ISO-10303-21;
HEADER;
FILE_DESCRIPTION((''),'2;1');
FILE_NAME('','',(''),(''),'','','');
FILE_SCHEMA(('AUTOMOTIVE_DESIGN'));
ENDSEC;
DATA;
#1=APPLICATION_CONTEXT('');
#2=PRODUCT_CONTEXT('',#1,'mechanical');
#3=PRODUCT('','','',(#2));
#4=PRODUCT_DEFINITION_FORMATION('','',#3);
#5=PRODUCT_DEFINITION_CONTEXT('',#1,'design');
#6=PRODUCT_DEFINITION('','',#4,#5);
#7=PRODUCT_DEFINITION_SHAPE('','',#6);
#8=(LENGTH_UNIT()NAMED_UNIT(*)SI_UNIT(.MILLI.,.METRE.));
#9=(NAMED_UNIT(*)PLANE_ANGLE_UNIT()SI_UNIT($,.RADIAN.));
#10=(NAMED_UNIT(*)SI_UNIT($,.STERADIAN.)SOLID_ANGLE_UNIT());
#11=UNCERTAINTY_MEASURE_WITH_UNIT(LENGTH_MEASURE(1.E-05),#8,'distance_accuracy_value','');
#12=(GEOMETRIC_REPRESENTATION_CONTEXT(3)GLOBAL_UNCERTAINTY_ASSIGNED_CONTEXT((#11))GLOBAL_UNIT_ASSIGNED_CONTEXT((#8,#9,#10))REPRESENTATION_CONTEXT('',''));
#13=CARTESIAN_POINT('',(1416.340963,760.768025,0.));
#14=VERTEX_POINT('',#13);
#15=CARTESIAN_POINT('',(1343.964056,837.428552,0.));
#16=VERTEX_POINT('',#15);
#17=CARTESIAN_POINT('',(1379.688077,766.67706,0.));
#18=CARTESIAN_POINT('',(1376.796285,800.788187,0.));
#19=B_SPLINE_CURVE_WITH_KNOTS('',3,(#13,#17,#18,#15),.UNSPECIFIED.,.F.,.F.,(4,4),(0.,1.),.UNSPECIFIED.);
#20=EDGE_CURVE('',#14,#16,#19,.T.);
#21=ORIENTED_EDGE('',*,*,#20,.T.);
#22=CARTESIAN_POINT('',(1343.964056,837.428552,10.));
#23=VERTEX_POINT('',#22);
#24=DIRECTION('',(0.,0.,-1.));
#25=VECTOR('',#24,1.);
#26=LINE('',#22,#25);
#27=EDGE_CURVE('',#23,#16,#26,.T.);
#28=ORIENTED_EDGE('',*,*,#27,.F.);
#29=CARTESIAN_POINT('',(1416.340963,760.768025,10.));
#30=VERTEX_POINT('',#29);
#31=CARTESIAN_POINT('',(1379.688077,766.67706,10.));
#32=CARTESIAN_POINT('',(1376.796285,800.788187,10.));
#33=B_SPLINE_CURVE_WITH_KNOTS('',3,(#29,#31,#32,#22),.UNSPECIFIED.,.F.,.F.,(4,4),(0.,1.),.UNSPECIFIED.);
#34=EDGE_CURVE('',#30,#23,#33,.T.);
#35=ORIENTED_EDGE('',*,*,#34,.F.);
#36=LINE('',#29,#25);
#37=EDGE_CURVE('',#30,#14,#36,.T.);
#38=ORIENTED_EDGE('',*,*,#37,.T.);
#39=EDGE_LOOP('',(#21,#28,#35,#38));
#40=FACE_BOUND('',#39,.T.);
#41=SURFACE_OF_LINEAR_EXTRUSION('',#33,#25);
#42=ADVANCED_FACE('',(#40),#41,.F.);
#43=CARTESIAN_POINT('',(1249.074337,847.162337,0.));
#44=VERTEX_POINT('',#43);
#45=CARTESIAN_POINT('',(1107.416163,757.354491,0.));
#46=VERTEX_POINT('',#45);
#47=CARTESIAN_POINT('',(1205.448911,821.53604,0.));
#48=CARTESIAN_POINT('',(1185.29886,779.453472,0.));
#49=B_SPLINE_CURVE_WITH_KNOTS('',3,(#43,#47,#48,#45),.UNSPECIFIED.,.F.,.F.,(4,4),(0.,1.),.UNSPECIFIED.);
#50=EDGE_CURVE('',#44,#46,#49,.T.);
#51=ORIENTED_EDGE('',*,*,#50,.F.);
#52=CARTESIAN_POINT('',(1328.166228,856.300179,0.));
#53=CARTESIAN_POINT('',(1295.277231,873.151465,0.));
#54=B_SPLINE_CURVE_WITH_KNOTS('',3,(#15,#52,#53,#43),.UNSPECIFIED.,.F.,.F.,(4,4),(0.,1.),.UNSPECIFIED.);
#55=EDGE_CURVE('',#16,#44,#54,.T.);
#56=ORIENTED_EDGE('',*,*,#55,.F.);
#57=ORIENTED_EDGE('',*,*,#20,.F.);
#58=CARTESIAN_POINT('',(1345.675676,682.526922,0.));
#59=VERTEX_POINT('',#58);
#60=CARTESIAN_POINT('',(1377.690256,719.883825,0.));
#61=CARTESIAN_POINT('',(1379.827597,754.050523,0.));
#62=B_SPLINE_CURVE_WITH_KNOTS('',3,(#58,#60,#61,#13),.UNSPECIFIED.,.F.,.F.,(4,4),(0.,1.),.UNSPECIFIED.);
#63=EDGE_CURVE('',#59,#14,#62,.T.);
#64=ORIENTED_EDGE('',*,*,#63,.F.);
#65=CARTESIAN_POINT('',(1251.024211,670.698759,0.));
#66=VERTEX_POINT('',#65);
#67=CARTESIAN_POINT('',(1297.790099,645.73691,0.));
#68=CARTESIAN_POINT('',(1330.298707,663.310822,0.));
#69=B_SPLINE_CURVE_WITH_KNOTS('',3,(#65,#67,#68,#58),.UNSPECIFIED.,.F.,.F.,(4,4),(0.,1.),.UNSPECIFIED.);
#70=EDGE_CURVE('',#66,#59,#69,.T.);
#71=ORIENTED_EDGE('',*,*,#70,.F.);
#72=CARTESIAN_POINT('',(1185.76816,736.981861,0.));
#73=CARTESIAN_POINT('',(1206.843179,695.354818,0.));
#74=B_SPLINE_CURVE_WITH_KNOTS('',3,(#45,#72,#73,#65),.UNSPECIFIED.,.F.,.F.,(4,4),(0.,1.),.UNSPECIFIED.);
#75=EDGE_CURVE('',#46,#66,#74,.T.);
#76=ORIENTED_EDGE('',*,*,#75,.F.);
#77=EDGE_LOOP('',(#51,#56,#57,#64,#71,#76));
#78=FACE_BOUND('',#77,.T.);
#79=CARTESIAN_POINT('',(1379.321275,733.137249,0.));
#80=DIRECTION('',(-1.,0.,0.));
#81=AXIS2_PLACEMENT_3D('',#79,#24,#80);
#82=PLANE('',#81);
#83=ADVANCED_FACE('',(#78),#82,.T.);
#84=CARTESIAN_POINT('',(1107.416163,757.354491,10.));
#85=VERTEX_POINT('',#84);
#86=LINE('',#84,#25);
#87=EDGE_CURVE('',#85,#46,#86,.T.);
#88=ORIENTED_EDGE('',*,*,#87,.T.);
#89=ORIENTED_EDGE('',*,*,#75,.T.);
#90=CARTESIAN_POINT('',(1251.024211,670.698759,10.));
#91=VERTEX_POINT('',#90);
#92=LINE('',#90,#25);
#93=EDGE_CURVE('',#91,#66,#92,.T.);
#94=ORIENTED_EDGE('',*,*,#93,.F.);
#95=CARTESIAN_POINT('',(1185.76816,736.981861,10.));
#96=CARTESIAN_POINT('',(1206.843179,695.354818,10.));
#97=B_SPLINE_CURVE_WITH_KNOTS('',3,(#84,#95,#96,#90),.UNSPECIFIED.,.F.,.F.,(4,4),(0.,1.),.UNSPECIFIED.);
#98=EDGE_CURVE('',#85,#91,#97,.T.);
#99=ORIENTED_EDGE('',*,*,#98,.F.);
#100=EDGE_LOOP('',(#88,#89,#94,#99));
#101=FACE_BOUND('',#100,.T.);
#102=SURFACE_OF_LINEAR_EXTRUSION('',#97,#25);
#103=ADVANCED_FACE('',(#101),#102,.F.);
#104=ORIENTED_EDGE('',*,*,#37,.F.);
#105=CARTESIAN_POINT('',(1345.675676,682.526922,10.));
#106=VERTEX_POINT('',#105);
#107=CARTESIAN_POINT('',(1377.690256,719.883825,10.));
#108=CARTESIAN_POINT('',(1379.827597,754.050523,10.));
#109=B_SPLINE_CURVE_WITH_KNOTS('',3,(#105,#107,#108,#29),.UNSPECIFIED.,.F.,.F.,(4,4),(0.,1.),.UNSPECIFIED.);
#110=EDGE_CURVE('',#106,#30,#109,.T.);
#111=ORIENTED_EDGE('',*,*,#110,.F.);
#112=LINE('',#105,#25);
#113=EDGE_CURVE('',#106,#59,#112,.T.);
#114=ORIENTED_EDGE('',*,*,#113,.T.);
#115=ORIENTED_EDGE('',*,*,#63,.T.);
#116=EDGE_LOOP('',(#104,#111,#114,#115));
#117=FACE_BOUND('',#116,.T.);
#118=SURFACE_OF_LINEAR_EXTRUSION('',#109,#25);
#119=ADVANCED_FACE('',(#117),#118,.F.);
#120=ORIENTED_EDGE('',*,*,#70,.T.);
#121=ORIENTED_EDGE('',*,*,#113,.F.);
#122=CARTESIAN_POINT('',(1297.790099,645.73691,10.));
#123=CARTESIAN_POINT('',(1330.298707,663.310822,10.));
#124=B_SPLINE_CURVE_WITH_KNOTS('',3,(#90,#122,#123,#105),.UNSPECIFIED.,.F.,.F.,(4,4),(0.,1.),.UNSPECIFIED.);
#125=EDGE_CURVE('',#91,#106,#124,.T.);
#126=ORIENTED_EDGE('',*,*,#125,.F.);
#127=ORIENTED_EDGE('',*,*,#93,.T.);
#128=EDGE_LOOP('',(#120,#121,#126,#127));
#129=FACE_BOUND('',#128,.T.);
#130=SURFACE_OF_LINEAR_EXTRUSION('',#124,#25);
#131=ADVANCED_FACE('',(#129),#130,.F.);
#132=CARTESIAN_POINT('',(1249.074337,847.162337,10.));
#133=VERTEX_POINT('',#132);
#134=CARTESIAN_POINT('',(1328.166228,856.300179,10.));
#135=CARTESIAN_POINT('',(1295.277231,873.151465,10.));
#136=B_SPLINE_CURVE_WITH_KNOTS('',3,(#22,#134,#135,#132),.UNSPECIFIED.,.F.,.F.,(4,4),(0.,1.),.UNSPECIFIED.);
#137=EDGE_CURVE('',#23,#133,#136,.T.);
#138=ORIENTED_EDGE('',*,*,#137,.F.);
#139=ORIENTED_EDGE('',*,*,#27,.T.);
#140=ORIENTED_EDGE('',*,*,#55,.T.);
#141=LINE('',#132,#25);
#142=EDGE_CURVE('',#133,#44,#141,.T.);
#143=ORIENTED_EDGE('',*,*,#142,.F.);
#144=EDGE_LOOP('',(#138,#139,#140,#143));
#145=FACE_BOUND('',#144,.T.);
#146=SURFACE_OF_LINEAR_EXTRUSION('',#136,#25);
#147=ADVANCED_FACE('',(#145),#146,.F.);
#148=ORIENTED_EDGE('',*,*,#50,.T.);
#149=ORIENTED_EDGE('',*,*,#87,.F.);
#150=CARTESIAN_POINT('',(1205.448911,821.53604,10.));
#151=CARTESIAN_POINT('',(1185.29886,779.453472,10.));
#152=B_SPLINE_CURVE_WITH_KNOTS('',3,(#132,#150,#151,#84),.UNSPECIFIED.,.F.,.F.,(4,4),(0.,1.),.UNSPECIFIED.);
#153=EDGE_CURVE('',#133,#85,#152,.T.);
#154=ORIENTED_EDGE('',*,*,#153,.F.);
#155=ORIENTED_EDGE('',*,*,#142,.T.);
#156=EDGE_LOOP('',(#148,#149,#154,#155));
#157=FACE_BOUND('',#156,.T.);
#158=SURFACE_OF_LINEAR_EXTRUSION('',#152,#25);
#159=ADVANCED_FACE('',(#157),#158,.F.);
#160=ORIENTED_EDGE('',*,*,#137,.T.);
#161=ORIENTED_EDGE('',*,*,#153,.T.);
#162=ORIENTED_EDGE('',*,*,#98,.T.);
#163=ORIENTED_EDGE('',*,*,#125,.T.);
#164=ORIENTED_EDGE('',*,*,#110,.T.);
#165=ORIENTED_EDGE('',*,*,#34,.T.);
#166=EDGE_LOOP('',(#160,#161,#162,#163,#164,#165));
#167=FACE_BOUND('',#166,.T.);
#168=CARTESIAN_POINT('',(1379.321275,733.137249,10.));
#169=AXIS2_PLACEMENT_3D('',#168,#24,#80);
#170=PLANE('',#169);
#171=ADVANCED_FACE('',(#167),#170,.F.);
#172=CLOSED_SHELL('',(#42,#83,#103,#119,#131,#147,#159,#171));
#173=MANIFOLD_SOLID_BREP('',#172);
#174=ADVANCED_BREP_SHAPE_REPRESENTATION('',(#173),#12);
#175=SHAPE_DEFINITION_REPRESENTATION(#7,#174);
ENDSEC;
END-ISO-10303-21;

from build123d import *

# Parameters (mm, degrees)
BOSS_EXTRUDE1_DEPTH = 10


with BuildPart() as part:
    # Sketch1 → Boss-Extrude1 (new body)
    with BuildSketch(Plane.XY):
        with BuildLine():
            add(Edge.make_bspline(
                [(1416.340963062, 760.768025017), (1379.688076891, 766.677060222), (1376.796284846, 800.788187242), (1343.96405584, 837.42855153)],
                knots=[0, 0, 0, 0, 1, 1, 1, 1], degree=3))
            add(Edge.make_bspline(
                [(1343.96405584, 837.42855153), (1328.166228106, 856.300178667), (1295.277231091, 873.15146474), (1249.074337277, 847.16233697)],
                knots=[0, 0, 0, 0, 1, 1, 1, 1], degree=3))
            add(Edge.make_bspline(
                [(1249.074337277, 847.16233697), (1205.448911361, 821.536040114), (1185.29886025, 779.453471672), (1107.416163396, 757.35449132)],
                knots=[0, 0, 0, 0, 1, 1, 1, 1], degree=3))
            add(Edge.make_bspline(
                [(1251.024211071, 670.698758614), (1206.843179005, 695.354818366), (1185.768159813, 736.981861169), (1107.416163396, 757.35449132)],
                knots=[0, 0, 0, 0, 1, 1, 1, 1], degree=3))
            add(Edge.make_bspline(
                [(1345.675676059, 682.526921773), (1330.298707188, 663.310821746), (1297.790099097, 645.736910201), (1251.024211071, 670.698758614)],
                knots=[0, 0, 0, 0, 1, 1, 1, 1], degree=3))
            add(Edge.make_bspline(
                [(1416.340963062, 760.768025017), (1379.82759664, 754.050522934), (1377.690255695, 719.883825383), (1345.675676059, 682.526921773)],
                knots=[0, 0, 0, 0, 1, 1, 1, 1], degree=3))
        make_face()
    extrude(amount=BOSS_EXTRUDE1_DEPTH)


solid = part.part
